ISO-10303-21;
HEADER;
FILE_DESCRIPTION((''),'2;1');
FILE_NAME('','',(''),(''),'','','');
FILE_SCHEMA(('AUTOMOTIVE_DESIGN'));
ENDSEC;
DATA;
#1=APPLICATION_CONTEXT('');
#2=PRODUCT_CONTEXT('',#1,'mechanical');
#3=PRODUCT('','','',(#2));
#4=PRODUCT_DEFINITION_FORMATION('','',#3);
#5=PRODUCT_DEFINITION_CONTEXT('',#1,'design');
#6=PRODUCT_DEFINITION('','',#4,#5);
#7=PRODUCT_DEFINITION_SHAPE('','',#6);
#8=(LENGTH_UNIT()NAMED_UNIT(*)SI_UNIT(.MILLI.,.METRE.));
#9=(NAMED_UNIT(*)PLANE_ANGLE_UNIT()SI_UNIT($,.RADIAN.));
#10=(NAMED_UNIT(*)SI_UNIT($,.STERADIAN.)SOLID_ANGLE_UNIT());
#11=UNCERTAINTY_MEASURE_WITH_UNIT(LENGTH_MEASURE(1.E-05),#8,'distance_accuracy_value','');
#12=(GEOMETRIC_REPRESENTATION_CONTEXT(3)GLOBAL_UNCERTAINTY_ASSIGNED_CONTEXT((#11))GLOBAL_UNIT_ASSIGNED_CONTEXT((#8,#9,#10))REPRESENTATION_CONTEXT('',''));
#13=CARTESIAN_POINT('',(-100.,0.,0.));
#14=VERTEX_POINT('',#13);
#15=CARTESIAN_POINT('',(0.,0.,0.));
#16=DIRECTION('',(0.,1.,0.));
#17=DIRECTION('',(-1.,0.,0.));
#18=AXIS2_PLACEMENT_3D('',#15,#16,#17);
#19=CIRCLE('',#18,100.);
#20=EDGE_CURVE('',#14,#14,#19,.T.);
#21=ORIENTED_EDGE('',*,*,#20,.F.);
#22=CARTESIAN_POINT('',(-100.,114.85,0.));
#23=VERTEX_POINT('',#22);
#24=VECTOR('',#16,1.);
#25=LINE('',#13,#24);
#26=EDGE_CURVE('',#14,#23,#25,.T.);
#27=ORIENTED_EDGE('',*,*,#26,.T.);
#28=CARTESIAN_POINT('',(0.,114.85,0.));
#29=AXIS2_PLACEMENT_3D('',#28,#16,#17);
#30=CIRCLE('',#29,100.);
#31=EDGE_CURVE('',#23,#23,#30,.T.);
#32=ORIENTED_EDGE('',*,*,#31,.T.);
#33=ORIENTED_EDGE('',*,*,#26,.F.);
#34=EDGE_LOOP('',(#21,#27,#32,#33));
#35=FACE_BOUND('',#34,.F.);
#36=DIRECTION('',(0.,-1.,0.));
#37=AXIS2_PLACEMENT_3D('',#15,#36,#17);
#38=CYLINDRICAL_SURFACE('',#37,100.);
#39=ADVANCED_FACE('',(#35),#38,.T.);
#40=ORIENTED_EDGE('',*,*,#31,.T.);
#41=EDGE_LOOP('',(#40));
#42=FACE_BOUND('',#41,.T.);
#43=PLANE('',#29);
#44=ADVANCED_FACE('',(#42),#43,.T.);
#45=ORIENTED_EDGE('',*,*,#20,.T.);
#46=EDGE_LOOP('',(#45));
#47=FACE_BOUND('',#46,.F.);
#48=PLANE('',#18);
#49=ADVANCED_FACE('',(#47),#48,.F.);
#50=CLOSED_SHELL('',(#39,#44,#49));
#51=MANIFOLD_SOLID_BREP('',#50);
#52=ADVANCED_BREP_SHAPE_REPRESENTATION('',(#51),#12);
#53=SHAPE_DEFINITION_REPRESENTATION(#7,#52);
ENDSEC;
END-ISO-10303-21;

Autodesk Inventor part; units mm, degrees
ref_plane "YZ Plane" through (0, 0, 0) normal (1, 0, 0) x (0, 1, 0)
ref_plane "XZ Plane" through (0, 0, 0) normal (0, 1, 0) x (-1, 0, 0)
ref_plane "XY Plane" through (0, 0, 0) normal (0, 0, 1) x (1, 0, 0)
sketch "Sketch1" plane through (0, 0, 0) normal (0, 1, 0) x (-1, 0, 0)
  circle A0 centre (0, 0) radius 100
  dimension "d0" = 200
extrude "Extrusion1" add sketch "Sketch1" along normal blind 114.85
ref_plane "Work Plane1" through (0, 29.5, 0) normal (0, 1, 0) x (1, 0, 0)
sketch "Sketch2" plane through (0, 0, 0) normal (0, 0, 1) x (1, 0, 0)
  point P0 (0, 0)
properties part number "UR5 Base"
